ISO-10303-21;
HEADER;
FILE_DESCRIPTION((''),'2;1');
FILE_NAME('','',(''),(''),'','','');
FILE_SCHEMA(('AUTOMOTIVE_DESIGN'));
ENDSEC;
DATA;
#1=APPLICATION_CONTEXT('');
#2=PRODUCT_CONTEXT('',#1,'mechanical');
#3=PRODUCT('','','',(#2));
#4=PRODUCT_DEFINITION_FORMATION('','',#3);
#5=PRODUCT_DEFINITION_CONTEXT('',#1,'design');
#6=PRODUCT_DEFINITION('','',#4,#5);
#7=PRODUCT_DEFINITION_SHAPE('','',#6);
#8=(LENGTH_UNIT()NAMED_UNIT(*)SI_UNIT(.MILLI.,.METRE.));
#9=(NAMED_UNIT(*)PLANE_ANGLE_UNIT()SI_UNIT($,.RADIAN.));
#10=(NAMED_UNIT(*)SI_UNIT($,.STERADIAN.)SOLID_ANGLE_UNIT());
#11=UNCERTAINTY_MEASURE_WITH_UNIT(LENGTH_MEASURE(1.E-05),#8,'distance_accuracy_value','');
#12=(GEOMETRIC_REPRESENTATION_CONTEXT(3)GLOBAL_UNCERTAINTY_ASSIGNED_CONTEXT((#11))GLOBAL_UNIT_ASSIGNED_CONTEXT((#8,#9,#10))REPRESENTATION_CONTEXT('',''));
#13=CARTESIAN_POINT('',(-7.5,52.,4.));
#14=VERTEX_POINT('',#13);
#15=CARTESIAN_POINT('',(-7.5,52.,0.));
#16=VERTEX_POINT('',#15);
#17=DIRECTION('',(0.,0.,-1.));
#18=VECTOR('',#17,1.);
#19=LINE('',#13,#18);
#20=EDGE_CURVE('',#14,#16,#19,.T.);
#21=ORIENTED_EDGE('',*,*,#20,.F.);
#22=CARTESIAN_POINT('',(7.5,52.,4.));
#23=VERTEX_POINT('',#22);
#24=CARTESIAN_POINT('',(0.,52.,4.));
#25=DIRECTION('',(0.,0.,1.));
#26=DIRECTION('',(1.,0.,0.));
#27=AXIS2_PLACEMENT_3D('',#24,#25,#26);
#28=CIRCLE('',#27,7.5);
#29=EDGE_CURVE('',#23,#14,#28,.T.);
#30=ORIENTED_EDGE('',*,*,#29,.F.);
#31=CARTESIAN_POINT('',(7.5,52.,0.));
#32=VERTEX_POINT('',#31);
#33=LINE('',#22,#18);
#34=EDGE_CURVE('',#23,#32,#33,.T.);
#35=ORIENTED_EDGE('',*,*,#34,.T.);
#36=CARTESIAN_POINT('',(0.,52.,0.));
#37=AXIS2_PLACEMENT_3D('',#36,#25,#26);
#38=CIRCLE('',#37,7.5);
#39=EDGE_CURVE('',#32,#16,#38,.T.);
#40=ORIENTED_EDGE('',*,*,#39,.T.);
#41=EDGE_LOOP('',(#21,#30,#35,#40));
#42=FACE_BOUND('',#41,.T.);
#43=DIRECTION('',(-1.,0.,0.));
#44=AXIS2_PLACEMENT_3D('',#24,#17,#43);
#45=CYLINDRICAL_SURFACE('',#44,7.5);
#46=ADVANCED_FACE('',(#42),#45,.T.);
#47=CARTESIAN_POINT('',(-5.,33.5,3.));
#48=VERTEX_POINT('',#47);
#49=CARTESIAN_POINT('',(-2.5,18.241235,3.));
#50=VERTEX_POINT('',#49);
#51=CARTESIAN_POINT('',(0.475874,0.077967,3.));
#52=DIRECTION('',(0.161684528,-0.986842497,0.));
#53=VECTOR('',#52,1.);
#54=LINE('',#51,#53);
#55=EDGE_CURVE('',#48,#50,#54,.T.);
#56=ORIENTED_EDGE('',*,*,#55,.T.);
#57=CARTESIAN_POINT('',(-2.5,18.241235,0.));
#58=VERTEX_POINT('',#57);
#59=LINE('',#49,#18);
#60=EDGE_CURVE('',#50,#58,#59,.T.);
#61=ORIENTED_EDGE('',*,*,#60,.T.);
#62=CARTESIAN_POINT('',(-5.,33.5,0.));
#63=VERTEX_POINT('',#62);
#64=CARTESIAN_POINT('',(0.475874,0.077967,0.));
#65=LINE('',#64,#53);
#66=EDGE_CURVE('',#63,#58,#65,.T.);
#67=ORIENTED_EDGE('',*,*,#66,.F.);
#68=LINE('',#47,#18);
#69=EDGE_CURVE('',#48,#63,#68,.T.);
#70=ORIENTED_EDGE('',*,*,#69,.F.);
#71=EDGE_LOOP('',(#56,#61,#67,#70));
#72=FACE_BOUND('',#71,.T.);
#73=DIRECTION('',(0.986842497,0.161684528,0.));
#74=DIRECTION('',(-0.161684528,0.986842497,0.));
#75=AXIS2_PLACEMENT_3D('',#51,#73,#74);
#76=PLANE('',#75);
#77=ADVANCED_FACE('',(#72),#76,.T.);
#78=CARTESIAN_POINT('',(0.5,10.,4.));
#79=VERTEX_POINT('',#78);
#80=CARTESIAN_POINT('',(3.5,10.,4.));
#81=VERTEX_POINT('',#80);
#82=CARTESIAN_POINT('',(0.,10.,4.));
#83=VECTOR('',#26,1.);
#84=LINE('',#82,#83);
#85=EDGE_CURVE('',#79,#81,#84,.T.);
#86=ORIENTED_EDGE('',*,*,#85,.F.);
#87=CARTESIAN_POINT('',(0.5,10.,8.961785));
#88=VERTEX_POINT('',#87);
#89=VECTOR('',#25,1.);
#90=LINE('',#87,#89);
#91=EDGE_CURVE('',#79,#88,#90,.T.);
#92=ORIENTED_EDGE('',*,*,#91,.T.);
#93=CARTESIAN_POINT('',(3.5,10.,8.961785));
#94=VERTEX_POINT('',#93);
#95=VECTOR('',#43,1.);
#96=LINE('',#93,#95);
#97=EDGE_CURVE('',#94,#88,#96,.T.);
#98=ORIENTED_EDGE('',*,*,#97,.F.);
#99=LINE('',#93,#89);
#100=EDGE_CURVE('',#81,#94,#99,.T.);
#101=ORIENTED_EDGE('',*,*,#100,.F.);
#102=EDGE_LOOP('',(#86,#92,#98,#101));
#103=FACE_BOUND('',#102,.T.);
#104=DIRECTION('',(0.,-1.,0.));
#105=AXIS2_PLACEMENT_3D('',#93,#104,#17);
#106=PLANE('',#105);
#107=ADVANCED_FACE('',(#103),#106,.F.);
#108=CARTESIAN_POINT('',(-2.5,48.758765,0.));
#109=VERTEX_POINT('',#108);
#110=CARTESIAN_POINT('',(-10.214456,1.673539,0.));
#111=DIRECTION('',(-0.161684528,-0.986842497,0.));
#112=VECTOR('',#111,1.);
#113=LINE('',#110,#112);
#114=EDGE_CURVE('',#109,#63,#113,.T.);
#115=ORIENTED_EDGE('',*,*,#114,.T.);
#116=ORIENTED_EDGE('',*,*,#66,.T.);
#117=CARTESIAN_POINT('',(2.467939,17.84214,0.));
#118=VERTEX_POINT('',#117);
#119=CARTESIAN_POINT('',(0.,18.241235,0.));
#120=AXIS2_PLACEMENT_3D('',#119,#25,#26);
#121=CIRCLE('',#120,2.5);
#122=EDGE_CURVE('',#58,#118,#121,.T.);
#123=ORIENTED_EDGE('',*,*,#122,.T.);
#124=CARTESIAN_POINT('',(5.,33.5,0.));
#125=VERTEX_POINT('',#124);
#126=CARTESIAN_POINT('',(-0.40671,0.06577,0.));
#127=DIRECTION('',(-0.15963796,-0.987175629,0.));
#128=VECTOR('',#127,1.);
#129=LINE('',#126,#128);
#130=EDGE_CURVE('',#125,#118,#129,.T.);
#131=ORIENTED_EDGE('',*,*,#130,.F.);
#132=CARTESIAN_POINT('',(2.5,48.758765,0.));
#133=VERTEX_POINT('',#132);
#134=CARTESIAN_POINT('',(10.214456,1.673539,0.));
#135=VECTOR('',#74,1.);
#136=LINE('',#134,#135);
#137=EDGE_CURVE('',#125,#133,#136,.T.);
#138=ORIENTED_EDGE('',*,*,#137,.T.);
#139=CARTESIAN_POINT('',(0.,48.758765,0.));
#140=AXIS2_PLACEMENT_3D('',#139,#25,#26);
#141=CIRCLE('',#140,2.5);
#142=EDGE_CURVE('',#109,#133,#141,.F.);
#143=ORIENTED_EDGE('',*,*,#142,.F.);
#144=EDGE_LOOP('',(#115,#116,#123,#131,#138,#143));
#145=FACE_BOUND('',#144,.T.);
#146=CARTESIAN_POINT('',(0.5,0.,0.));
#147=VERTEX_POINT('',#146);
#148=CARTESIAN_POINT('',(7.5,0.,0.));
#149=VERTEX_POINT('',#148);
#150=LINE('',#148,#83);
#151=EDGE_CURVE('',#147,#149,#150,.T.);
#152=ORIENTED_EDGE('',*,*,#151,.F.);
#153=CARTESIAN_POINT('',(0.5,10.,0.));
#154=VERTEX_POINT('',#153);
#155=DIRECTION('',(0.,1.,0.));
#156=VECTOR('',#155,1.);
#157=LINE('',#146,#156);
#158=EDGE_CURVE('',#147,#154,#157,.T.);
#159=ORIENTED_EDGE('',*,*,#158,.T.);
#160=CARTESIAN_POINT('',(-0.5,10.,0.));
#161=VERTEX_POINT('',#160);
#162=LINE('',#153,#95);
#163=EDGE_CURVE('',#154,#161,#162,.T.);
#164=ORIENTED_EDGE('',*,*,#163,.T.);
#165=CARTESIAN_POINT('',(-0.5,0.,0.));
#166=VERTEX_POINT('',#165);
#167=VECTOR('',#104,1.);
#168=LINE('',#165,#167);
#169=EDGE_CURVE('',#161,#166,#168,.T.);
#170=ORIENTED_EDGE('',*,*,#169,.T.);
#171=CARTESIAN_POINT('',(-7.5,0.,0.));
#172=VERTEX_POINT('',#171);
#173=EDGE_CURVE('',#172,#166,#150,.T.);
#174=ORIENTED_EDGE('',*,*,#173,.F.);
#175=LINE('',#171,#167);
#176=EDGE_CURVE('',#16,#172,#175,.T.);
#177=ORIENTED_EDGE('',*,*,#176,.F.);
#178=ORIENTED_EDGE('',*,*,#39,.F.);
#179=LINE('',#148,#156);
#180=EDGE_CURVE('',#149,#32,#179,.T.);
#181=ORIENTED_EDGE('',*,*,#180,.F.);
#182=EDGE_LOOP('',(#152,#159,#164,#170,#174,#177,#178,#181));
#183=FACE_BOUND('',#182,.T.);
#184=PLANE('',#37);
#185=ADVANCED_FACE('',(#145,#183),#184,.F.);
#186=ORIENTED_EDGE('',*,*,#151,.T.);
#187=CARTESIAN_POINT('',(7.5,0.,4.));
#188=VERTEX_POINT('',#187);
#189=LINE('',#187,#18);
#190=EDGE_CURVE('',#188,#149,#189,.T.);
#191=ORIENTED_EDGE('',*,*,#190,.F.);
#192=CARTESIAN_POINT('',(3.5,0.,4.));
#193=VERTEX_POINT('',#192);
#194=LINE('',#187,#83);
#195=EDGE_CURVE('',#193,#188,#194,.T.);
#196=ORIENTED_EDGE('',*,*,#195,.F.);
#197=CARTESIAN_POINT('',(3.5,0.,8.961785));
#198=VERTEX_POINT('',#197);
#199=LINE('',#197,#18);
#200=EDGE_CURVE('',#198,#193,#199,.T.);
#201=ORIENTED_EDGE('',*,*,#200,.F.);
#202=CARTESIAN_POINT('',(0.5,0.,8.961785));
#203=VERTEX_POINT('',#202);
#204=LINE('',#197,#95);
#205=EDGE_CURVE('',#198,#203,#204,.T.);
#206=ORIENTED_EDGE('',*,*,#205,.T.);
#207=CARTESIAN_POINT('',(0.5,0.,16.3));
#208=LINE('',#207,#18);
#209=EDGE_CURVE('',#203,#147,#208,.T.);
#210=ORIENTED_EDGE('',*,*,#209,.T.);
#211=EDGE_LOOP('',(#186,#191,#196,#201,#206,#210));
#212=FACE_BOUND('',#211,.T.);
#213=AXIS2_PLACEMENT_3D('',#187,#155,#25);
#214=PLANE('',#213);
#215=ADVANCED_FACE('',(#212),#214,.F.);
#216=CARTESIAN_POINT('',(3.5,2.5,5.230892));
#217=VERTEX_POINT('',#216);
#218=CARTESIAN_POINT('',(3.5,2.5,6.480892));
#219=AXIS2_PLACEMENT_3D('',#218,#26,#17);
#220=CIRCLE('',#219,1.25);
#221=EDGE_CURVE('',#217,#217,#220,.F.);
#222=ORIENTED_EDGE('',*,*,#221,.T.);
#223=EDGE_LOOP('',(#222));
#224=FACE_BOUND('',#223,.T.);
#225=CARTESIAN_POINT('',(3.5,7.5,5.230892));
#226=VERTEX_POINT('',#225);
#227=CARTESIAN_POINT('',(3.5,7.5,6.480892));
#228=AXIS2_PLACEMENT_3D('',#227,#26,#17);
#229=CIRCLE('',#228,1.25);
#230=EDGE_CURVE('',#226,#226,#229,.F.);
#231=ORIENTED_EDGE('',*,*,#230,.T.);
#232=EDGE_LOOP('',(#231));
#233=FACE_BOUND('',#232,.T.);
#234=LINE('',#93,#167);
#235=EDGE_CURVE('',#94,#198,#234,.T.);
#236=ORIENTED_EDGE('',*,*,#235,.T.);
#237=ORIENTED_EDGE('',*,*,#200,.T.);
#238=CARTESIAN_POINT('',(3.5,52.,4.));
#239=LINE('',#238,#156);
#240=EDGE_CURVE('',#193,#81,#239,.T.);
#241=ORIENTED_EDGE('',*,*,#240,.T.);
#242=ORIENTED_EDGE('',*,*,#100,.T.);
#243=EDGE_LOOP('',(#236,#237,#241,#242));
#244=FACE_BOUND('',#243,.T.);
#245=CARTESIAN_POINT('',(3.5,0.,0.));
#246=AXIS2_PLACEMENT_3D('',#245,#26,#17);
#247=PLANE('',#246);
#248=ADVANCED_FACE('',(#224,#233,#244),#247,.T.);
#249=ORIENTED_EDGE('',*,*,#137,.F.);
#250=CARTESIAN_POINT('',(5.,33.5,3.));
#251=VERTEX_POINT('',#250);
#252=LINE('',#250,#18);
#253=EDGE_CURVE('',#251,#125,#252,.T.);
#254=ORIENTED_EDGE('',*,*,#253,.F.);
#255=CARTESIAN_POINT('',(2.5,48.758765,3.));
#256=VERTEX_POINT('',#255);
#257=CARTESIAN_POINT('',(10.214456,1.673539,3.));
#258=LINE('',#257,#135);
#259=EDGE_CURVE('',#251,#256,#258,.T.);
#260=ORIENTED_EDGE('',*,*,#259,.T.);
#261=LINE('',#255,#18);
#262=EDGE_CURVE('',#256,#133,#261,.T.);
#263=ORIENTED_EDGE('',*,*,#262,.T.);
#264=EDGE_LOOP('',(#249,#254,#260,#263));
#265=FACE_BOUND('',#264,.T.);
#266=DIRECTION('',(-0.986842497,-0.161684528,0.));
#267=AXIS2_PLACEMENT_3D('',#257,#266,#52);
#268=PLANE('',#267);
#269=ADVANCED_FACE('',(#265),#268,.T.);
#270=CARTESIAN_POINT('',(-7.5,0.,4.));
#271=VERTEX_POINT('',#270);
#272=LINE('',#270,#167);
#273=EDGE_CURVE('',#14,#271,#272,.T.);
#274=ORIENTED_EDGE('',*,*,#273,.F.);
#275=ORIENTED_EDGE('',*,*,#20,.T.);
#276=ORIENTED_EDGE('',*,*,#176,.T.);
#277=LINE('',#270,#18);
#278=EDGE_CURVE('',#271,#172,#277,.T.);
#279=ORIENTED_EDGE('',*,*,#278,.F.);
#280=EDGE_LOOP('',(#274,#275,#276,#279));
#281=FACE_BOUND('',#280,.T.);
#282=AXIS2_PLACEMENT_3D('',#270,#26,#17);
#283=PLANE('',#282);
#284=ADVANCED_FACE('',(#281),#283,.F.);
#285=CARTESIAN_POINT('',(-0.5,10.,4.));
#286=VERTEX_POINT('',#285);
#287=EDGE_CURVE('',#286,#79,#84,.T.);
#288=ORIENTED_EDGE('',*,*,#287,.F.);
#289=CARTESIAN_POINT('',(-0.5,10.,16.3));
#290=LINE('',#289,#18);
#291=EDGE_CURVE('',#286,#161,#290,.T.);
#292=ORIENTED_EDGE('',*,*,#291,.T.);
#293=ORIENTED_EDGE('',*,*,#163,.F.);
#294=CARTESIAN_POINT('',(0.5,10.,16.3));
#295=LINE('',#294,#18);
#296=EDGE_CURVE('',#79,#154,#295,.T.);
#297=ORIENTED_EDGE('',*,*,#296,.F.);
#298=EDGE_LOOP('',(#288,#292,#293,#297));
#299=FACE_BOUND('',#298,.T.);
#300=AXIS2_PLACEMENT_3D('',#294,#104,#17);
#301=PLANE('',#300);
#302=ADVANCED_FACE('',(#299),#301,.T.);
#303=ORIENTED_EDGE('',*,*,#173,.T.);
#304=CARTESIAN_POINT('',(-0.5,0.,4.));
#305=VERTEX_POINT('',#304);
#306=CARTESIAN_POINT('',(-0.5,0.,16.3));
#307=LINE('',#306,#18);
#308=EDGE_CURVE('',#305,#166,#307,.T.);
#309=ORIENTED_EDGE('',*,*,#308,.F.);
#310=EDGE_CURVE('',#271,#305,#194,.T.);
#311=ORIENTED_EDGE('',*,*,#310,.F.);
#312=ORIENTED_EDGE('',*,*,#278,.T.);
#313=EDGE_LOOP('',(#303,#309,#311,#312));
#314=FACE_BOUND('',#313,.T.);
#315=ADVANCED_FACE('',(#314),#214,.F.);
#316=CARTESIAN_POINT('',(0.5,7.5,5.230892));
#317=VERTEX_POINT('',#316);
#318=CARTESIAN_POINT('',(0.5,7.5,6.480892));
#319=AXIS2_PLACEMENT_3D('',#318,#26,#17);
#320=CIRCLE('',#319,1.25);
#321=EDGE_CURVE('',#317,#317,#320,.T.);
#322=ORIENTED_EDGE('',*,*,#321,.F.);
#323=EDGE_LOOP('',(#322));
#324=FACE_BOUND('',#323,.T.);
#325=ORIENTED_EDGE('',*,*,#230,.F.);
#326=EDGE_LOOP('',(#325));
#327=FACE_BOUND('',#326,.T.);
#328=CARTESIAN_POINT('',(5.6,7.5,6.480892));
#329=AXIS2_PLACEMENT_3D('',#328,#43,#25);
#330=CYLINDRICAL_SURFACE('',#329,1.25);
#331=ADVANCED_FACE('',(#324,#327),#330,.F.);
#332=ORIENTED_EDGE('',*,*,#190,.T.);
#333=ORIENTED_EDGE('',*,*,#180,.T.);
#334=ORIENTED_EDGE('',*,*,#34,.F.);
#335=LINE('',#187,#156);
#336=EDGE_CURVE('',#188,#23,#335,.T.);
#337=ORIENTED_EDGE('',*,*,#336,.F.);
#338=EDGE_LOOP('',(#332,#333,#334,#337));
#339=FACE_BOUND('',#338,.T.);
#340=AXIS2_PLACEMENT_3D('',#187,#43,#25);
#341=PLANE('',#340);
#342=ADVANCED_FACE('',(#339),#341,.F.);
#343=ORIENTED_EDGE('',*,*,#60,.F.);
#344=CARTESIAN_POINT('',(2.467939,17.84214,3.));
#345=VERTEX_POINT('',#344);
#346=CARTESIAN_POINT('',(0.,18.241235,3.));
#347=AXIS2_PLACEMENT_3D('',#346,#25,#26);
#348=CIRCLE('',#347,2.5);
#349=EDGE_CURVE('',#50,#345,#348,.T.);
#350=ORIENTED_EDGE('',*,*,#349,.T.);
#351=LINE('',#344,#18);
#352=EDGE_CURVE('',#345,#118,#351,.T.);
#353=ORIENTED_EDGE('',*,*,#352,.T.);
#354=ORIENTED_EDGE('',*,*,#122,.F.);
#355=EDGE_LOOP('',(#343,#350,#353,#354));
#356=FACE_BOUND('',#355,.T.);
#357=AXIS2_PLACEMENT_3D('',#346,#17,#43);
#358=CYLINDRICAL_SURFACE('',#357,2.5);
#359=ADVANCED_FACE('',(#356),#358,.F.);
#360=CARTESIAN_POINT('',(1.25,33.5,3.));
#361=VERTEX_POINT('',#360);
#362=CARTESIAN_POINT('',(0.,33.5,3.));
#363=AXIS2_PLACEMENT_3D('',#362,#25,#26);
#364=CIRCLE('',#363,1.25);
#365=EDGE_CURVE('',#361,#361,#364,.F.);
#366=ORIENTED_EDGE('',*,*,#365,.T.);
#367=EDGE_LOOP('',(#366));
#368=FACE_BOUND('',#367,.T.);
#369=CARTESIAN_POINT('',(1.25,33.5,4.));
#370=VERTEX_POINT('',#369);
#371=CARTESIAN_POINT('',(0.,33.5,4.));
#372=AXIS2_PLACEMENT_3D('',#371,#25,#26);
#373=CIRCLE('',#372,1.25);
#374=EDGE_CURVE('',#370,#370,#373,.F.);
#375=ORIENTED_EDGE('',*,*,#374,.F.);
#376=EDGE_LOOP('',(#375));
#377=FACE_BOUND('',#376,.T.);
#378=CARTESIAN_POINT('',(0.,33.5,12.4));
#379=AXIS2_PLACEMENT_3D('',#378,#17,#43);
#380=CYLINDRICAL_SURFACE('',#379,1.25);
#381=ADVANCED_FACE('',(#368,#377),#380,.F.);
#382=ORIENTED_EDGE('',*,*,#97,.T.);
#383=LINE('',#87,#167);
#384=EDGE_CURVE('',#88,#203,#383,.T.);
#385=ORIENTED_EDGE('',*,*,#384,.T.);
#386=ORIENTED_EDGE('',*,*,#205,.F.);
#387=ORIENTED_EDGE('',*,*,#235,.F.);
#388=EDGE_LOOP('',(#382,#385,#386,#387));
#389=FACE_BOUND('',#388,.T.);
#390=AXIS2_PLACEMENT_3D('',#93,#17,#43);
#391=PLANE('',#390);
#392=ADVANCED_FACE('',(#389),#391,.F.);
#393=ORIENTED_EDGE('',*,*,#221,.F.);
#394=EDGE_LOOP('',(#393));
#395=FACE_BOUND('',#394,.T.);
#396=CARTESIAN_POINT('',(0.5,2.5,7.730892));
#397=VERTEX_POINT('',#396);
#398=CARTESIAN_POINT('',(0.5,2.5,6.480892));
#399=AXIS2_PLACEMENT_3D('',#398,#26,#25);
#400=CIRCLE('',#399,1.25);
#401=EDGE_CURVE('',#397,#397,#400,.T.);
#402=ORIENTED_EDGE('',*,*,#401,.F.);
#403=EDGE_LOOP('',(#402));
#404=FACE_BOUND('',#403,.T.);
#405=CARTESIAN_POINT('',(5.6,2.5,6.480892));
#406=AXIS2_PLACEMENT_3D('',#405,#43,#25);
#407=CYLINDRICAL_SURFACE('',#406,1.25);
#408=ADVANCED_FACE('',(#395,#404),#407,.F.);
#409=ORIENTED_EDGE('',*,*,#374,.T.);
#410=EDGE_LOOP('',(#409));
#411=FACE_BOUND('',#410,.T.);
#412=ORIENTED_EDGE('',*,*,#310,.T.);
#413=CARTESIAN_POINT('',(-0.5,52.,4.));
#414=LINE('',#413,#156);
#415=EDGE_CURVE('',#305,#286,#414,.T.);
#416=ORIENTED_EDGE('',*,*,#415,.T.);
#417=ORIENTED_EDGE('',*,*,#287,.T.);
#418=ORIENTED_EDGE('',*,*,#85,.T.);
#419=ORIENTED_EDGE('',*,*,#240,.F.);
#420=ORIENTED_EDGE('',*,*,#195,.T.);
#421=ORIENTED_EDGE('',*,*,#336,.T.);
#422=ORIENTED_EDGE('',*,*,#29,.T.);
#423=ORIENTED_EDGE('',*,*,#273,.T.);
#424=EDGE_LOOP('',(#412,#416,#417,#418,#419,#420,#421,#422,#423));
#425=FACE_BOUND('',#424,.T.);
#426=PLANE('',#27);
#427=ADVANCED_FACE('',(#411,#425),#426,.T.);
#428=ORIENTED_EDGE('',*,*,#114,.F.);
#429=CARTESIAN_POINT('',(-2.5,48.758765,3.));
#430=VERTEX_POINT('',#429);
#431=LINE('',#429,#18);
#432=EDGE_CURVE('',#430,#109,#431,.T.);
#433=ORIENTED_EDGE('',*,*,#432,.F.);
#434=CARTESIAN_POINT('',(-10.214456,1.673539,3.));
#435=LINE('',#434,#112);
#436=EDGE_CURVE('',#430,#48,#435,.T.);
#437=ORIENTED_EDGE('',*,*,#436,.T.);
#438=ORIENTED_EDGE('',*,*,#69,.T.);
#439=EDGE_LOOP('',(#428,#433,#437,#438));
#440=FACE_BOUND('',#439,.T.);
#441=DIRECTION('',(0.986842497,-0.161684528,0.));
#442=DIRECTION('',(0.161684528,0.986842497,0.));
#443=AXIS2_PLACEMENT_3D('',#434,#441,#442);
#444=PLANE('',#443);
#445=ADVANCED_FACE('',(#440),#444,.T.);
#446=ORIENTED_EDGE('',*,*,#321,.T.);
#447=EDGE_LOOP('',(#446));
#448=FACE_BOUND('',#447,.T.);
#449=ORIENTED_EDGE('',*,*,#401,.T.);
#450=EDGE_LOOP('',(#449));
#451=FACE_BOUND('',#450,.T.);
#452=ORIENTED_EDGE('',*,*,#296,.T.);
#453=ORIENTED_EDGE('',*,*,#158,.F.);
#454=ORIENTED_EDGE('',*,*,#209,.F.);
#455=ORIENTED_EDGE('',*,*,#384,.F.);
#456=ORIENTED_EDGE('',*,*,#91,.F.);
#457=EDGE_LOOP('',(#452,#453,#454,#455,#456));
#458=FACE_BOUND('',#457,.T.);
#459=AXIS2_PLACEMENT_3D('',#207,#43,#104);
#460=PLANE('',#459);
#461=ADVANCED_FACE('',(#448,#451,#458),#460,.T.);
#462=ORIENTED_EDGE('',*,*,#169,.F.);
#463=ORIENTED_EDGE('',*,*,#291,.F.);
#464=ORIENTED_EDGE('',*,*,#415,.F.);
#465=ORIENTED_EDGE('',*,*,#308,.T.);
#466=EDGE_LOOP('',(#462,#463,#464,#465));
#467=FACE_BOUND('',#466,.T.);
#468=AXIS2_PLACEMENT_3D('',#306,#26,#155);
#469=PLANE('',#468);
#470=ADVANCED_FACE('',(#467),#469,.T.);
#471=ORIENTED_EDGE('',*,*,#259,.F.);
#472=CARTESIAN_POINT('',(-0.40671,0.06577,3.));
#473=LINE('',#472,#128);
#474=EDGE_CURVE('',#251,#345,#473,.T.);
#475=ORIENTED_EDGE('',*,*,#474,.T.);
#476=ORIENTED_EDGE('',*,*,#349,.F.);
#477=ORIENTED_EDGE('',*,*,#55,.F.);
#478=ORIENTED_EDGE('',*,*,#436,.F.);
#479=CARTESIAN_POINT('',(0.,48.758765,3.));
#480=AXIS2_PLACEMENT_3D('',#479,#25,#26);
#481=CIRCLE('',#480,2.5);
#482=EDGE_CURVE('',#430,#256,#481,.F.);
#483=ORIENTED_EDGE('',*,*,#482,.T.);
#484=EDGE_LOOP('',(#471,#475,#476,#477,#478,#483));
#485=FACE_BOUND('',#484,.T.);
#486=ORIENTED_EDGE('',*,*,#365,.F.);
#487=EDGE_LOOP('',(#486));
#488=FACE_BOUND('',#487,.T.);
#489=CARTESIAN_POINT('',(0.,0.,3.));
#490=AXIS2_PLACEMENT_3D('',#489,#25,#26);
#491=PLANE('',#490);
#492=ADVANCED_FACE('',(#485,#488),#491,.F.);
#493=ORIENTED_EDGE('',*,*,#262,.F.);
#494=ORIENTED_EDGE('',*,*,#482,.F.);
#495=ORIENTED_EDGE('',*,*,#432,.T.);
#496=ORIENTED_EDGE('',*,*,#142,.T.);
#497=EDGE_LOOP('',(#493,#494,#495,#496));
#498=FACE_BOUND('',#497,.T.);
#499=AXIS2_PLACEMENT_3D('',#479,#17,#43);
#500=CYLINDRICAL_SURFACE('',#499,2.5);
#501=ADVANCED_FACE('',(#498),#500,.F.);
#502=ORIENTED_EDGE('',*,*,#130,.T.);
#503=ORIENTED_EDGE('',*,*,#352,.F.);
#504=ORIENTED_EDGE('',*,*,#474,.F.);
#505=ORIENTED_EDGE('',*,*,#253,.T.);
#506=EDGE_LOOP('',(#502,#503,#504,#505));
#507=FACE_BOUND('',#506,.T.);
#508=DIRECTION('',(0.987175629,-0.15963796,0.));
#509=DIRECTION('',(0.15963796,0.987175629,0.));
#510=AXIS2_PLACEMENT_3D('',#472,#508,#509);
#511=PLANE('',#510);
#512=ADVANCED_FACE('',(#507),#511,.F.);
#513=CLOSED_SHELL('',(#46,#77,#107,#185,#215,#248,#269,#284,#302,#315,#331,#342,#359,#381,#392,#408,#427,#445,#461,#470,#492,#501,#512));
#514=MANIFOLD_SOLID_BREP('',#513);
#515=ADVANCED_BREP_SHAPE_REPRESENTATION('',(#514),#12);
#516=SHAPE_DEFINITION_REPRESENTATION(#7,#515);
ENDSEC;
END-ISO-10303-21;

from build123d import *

# Parameters (mm, degrees)
EXTRUDE_1_DEPTH     = 4
CUT_EXTRUDE_1_DEPTH = 3
SKETCH_5_R          = 1.25
CUT_EXTRUDE_2_DEPTH = 12.4
SKETCH_6_W          = 1
SKETCH_6_H          = 10
CUT_EXTRUDE_3_DEPTH = 16.3
SKETCH_9_W          = 5
SKETCH_9_H          = 10
EXTRUDE_4_DEPTH     = 3
SKETCH_10_R         = 1.25
CUT_EXTRUDE_4_DEPTH = 5.1


with BuildPart() as part:
    # 草圖1 → 填料-伸長1 (new body)
    with BuildSketch(Plane.XY):
        with BuildLine():
            Line((7.5, 0), (7.5, 52))
            ThreePointArc((7.5, 52), (0, 59.5), (-7.5, 52))
            Line((-7.5, 52), (-7.5, 0))
            Line((-7.5, 0), (7.5, 0))
        make_face()
    extrude(amount=EXTRUDE_1_DEPTH)

    # 草圖3 → 除料-伸長1 (cut)
    with BuildSketch(Plane.XY):
        with BuildLine():
            ThreePointArc((-2.5, 48.75876512), (0, 51.25876512), (2.5, 48.75876512))
            Line((2.5, 48.75876512), (5, 33.5))
            Line((5, 33.5), (2.467939071, 17.842139978))
            ThreePointArc((2.467939071, 17.842139978), (-0.200190311, 15.749263002), (-2.5, 18.24123488))
            Line((-2.5, 18.24123488), (-5, 33.5))
            Line((-5, 33.5), (-2.5, 48.75876512))
        make_face()
    extrude(amount=CUT_EXTRUDE_1_DEPTH, mode=Mode.SUBTRACT)

    # 草圖5 → 除料-伸長2 (cut)
    with BuildSketch(Plane.XY):
        with Locations((0, 33.5)):
            Circle(SKETCH_5_R)
    extrude(amount=CUT_EXTRUDE_2_DEPTH, mode=Mode.SUBTRACT)

    # 草圖6 → 除料-伸長3 (cut)
    with BuildSketch(Plane.XY):
        with Locations((0, 5)):
            Rectangle(SKETCH_6_W, SKETCH_6_H)
    extrude(amount=CUT_EXTRUDE_3_DEPTH, mode=Mode.SUBTRACT)

    # 草圖9 → 填料-伸長4 (add)
    with BuildSketch(Plane(origin=(0.5, 0, 0), x_dir=(0, 0, -1), z_dir=(1, 0, 0))):
        with Locations((-6.46178466, 5)):
            Rectangle(SKETCH_9_W, SKETCH_9_H)
    extrude(amount=EXTRUDE_4_DEPTH)

    # 草圖10 → 除料-伸長4 (cut)
    with BuildSketch(Plane(origin=(0.5, 0, 0), x_dir=(0, 0, -1), z_dir=(1, 0, 0))):
        with Locations((-6.48089233, 7.5)):
            Circle(SKETCH_10_R)
        with Locations((-6.48089233, 2.5)):
            Circle(SKETCH_10_R)
    extrude(amount=CUT_EXTRUDE_4_DEPTH, mode=Mode.SUBTRACT)


solid = part.part
